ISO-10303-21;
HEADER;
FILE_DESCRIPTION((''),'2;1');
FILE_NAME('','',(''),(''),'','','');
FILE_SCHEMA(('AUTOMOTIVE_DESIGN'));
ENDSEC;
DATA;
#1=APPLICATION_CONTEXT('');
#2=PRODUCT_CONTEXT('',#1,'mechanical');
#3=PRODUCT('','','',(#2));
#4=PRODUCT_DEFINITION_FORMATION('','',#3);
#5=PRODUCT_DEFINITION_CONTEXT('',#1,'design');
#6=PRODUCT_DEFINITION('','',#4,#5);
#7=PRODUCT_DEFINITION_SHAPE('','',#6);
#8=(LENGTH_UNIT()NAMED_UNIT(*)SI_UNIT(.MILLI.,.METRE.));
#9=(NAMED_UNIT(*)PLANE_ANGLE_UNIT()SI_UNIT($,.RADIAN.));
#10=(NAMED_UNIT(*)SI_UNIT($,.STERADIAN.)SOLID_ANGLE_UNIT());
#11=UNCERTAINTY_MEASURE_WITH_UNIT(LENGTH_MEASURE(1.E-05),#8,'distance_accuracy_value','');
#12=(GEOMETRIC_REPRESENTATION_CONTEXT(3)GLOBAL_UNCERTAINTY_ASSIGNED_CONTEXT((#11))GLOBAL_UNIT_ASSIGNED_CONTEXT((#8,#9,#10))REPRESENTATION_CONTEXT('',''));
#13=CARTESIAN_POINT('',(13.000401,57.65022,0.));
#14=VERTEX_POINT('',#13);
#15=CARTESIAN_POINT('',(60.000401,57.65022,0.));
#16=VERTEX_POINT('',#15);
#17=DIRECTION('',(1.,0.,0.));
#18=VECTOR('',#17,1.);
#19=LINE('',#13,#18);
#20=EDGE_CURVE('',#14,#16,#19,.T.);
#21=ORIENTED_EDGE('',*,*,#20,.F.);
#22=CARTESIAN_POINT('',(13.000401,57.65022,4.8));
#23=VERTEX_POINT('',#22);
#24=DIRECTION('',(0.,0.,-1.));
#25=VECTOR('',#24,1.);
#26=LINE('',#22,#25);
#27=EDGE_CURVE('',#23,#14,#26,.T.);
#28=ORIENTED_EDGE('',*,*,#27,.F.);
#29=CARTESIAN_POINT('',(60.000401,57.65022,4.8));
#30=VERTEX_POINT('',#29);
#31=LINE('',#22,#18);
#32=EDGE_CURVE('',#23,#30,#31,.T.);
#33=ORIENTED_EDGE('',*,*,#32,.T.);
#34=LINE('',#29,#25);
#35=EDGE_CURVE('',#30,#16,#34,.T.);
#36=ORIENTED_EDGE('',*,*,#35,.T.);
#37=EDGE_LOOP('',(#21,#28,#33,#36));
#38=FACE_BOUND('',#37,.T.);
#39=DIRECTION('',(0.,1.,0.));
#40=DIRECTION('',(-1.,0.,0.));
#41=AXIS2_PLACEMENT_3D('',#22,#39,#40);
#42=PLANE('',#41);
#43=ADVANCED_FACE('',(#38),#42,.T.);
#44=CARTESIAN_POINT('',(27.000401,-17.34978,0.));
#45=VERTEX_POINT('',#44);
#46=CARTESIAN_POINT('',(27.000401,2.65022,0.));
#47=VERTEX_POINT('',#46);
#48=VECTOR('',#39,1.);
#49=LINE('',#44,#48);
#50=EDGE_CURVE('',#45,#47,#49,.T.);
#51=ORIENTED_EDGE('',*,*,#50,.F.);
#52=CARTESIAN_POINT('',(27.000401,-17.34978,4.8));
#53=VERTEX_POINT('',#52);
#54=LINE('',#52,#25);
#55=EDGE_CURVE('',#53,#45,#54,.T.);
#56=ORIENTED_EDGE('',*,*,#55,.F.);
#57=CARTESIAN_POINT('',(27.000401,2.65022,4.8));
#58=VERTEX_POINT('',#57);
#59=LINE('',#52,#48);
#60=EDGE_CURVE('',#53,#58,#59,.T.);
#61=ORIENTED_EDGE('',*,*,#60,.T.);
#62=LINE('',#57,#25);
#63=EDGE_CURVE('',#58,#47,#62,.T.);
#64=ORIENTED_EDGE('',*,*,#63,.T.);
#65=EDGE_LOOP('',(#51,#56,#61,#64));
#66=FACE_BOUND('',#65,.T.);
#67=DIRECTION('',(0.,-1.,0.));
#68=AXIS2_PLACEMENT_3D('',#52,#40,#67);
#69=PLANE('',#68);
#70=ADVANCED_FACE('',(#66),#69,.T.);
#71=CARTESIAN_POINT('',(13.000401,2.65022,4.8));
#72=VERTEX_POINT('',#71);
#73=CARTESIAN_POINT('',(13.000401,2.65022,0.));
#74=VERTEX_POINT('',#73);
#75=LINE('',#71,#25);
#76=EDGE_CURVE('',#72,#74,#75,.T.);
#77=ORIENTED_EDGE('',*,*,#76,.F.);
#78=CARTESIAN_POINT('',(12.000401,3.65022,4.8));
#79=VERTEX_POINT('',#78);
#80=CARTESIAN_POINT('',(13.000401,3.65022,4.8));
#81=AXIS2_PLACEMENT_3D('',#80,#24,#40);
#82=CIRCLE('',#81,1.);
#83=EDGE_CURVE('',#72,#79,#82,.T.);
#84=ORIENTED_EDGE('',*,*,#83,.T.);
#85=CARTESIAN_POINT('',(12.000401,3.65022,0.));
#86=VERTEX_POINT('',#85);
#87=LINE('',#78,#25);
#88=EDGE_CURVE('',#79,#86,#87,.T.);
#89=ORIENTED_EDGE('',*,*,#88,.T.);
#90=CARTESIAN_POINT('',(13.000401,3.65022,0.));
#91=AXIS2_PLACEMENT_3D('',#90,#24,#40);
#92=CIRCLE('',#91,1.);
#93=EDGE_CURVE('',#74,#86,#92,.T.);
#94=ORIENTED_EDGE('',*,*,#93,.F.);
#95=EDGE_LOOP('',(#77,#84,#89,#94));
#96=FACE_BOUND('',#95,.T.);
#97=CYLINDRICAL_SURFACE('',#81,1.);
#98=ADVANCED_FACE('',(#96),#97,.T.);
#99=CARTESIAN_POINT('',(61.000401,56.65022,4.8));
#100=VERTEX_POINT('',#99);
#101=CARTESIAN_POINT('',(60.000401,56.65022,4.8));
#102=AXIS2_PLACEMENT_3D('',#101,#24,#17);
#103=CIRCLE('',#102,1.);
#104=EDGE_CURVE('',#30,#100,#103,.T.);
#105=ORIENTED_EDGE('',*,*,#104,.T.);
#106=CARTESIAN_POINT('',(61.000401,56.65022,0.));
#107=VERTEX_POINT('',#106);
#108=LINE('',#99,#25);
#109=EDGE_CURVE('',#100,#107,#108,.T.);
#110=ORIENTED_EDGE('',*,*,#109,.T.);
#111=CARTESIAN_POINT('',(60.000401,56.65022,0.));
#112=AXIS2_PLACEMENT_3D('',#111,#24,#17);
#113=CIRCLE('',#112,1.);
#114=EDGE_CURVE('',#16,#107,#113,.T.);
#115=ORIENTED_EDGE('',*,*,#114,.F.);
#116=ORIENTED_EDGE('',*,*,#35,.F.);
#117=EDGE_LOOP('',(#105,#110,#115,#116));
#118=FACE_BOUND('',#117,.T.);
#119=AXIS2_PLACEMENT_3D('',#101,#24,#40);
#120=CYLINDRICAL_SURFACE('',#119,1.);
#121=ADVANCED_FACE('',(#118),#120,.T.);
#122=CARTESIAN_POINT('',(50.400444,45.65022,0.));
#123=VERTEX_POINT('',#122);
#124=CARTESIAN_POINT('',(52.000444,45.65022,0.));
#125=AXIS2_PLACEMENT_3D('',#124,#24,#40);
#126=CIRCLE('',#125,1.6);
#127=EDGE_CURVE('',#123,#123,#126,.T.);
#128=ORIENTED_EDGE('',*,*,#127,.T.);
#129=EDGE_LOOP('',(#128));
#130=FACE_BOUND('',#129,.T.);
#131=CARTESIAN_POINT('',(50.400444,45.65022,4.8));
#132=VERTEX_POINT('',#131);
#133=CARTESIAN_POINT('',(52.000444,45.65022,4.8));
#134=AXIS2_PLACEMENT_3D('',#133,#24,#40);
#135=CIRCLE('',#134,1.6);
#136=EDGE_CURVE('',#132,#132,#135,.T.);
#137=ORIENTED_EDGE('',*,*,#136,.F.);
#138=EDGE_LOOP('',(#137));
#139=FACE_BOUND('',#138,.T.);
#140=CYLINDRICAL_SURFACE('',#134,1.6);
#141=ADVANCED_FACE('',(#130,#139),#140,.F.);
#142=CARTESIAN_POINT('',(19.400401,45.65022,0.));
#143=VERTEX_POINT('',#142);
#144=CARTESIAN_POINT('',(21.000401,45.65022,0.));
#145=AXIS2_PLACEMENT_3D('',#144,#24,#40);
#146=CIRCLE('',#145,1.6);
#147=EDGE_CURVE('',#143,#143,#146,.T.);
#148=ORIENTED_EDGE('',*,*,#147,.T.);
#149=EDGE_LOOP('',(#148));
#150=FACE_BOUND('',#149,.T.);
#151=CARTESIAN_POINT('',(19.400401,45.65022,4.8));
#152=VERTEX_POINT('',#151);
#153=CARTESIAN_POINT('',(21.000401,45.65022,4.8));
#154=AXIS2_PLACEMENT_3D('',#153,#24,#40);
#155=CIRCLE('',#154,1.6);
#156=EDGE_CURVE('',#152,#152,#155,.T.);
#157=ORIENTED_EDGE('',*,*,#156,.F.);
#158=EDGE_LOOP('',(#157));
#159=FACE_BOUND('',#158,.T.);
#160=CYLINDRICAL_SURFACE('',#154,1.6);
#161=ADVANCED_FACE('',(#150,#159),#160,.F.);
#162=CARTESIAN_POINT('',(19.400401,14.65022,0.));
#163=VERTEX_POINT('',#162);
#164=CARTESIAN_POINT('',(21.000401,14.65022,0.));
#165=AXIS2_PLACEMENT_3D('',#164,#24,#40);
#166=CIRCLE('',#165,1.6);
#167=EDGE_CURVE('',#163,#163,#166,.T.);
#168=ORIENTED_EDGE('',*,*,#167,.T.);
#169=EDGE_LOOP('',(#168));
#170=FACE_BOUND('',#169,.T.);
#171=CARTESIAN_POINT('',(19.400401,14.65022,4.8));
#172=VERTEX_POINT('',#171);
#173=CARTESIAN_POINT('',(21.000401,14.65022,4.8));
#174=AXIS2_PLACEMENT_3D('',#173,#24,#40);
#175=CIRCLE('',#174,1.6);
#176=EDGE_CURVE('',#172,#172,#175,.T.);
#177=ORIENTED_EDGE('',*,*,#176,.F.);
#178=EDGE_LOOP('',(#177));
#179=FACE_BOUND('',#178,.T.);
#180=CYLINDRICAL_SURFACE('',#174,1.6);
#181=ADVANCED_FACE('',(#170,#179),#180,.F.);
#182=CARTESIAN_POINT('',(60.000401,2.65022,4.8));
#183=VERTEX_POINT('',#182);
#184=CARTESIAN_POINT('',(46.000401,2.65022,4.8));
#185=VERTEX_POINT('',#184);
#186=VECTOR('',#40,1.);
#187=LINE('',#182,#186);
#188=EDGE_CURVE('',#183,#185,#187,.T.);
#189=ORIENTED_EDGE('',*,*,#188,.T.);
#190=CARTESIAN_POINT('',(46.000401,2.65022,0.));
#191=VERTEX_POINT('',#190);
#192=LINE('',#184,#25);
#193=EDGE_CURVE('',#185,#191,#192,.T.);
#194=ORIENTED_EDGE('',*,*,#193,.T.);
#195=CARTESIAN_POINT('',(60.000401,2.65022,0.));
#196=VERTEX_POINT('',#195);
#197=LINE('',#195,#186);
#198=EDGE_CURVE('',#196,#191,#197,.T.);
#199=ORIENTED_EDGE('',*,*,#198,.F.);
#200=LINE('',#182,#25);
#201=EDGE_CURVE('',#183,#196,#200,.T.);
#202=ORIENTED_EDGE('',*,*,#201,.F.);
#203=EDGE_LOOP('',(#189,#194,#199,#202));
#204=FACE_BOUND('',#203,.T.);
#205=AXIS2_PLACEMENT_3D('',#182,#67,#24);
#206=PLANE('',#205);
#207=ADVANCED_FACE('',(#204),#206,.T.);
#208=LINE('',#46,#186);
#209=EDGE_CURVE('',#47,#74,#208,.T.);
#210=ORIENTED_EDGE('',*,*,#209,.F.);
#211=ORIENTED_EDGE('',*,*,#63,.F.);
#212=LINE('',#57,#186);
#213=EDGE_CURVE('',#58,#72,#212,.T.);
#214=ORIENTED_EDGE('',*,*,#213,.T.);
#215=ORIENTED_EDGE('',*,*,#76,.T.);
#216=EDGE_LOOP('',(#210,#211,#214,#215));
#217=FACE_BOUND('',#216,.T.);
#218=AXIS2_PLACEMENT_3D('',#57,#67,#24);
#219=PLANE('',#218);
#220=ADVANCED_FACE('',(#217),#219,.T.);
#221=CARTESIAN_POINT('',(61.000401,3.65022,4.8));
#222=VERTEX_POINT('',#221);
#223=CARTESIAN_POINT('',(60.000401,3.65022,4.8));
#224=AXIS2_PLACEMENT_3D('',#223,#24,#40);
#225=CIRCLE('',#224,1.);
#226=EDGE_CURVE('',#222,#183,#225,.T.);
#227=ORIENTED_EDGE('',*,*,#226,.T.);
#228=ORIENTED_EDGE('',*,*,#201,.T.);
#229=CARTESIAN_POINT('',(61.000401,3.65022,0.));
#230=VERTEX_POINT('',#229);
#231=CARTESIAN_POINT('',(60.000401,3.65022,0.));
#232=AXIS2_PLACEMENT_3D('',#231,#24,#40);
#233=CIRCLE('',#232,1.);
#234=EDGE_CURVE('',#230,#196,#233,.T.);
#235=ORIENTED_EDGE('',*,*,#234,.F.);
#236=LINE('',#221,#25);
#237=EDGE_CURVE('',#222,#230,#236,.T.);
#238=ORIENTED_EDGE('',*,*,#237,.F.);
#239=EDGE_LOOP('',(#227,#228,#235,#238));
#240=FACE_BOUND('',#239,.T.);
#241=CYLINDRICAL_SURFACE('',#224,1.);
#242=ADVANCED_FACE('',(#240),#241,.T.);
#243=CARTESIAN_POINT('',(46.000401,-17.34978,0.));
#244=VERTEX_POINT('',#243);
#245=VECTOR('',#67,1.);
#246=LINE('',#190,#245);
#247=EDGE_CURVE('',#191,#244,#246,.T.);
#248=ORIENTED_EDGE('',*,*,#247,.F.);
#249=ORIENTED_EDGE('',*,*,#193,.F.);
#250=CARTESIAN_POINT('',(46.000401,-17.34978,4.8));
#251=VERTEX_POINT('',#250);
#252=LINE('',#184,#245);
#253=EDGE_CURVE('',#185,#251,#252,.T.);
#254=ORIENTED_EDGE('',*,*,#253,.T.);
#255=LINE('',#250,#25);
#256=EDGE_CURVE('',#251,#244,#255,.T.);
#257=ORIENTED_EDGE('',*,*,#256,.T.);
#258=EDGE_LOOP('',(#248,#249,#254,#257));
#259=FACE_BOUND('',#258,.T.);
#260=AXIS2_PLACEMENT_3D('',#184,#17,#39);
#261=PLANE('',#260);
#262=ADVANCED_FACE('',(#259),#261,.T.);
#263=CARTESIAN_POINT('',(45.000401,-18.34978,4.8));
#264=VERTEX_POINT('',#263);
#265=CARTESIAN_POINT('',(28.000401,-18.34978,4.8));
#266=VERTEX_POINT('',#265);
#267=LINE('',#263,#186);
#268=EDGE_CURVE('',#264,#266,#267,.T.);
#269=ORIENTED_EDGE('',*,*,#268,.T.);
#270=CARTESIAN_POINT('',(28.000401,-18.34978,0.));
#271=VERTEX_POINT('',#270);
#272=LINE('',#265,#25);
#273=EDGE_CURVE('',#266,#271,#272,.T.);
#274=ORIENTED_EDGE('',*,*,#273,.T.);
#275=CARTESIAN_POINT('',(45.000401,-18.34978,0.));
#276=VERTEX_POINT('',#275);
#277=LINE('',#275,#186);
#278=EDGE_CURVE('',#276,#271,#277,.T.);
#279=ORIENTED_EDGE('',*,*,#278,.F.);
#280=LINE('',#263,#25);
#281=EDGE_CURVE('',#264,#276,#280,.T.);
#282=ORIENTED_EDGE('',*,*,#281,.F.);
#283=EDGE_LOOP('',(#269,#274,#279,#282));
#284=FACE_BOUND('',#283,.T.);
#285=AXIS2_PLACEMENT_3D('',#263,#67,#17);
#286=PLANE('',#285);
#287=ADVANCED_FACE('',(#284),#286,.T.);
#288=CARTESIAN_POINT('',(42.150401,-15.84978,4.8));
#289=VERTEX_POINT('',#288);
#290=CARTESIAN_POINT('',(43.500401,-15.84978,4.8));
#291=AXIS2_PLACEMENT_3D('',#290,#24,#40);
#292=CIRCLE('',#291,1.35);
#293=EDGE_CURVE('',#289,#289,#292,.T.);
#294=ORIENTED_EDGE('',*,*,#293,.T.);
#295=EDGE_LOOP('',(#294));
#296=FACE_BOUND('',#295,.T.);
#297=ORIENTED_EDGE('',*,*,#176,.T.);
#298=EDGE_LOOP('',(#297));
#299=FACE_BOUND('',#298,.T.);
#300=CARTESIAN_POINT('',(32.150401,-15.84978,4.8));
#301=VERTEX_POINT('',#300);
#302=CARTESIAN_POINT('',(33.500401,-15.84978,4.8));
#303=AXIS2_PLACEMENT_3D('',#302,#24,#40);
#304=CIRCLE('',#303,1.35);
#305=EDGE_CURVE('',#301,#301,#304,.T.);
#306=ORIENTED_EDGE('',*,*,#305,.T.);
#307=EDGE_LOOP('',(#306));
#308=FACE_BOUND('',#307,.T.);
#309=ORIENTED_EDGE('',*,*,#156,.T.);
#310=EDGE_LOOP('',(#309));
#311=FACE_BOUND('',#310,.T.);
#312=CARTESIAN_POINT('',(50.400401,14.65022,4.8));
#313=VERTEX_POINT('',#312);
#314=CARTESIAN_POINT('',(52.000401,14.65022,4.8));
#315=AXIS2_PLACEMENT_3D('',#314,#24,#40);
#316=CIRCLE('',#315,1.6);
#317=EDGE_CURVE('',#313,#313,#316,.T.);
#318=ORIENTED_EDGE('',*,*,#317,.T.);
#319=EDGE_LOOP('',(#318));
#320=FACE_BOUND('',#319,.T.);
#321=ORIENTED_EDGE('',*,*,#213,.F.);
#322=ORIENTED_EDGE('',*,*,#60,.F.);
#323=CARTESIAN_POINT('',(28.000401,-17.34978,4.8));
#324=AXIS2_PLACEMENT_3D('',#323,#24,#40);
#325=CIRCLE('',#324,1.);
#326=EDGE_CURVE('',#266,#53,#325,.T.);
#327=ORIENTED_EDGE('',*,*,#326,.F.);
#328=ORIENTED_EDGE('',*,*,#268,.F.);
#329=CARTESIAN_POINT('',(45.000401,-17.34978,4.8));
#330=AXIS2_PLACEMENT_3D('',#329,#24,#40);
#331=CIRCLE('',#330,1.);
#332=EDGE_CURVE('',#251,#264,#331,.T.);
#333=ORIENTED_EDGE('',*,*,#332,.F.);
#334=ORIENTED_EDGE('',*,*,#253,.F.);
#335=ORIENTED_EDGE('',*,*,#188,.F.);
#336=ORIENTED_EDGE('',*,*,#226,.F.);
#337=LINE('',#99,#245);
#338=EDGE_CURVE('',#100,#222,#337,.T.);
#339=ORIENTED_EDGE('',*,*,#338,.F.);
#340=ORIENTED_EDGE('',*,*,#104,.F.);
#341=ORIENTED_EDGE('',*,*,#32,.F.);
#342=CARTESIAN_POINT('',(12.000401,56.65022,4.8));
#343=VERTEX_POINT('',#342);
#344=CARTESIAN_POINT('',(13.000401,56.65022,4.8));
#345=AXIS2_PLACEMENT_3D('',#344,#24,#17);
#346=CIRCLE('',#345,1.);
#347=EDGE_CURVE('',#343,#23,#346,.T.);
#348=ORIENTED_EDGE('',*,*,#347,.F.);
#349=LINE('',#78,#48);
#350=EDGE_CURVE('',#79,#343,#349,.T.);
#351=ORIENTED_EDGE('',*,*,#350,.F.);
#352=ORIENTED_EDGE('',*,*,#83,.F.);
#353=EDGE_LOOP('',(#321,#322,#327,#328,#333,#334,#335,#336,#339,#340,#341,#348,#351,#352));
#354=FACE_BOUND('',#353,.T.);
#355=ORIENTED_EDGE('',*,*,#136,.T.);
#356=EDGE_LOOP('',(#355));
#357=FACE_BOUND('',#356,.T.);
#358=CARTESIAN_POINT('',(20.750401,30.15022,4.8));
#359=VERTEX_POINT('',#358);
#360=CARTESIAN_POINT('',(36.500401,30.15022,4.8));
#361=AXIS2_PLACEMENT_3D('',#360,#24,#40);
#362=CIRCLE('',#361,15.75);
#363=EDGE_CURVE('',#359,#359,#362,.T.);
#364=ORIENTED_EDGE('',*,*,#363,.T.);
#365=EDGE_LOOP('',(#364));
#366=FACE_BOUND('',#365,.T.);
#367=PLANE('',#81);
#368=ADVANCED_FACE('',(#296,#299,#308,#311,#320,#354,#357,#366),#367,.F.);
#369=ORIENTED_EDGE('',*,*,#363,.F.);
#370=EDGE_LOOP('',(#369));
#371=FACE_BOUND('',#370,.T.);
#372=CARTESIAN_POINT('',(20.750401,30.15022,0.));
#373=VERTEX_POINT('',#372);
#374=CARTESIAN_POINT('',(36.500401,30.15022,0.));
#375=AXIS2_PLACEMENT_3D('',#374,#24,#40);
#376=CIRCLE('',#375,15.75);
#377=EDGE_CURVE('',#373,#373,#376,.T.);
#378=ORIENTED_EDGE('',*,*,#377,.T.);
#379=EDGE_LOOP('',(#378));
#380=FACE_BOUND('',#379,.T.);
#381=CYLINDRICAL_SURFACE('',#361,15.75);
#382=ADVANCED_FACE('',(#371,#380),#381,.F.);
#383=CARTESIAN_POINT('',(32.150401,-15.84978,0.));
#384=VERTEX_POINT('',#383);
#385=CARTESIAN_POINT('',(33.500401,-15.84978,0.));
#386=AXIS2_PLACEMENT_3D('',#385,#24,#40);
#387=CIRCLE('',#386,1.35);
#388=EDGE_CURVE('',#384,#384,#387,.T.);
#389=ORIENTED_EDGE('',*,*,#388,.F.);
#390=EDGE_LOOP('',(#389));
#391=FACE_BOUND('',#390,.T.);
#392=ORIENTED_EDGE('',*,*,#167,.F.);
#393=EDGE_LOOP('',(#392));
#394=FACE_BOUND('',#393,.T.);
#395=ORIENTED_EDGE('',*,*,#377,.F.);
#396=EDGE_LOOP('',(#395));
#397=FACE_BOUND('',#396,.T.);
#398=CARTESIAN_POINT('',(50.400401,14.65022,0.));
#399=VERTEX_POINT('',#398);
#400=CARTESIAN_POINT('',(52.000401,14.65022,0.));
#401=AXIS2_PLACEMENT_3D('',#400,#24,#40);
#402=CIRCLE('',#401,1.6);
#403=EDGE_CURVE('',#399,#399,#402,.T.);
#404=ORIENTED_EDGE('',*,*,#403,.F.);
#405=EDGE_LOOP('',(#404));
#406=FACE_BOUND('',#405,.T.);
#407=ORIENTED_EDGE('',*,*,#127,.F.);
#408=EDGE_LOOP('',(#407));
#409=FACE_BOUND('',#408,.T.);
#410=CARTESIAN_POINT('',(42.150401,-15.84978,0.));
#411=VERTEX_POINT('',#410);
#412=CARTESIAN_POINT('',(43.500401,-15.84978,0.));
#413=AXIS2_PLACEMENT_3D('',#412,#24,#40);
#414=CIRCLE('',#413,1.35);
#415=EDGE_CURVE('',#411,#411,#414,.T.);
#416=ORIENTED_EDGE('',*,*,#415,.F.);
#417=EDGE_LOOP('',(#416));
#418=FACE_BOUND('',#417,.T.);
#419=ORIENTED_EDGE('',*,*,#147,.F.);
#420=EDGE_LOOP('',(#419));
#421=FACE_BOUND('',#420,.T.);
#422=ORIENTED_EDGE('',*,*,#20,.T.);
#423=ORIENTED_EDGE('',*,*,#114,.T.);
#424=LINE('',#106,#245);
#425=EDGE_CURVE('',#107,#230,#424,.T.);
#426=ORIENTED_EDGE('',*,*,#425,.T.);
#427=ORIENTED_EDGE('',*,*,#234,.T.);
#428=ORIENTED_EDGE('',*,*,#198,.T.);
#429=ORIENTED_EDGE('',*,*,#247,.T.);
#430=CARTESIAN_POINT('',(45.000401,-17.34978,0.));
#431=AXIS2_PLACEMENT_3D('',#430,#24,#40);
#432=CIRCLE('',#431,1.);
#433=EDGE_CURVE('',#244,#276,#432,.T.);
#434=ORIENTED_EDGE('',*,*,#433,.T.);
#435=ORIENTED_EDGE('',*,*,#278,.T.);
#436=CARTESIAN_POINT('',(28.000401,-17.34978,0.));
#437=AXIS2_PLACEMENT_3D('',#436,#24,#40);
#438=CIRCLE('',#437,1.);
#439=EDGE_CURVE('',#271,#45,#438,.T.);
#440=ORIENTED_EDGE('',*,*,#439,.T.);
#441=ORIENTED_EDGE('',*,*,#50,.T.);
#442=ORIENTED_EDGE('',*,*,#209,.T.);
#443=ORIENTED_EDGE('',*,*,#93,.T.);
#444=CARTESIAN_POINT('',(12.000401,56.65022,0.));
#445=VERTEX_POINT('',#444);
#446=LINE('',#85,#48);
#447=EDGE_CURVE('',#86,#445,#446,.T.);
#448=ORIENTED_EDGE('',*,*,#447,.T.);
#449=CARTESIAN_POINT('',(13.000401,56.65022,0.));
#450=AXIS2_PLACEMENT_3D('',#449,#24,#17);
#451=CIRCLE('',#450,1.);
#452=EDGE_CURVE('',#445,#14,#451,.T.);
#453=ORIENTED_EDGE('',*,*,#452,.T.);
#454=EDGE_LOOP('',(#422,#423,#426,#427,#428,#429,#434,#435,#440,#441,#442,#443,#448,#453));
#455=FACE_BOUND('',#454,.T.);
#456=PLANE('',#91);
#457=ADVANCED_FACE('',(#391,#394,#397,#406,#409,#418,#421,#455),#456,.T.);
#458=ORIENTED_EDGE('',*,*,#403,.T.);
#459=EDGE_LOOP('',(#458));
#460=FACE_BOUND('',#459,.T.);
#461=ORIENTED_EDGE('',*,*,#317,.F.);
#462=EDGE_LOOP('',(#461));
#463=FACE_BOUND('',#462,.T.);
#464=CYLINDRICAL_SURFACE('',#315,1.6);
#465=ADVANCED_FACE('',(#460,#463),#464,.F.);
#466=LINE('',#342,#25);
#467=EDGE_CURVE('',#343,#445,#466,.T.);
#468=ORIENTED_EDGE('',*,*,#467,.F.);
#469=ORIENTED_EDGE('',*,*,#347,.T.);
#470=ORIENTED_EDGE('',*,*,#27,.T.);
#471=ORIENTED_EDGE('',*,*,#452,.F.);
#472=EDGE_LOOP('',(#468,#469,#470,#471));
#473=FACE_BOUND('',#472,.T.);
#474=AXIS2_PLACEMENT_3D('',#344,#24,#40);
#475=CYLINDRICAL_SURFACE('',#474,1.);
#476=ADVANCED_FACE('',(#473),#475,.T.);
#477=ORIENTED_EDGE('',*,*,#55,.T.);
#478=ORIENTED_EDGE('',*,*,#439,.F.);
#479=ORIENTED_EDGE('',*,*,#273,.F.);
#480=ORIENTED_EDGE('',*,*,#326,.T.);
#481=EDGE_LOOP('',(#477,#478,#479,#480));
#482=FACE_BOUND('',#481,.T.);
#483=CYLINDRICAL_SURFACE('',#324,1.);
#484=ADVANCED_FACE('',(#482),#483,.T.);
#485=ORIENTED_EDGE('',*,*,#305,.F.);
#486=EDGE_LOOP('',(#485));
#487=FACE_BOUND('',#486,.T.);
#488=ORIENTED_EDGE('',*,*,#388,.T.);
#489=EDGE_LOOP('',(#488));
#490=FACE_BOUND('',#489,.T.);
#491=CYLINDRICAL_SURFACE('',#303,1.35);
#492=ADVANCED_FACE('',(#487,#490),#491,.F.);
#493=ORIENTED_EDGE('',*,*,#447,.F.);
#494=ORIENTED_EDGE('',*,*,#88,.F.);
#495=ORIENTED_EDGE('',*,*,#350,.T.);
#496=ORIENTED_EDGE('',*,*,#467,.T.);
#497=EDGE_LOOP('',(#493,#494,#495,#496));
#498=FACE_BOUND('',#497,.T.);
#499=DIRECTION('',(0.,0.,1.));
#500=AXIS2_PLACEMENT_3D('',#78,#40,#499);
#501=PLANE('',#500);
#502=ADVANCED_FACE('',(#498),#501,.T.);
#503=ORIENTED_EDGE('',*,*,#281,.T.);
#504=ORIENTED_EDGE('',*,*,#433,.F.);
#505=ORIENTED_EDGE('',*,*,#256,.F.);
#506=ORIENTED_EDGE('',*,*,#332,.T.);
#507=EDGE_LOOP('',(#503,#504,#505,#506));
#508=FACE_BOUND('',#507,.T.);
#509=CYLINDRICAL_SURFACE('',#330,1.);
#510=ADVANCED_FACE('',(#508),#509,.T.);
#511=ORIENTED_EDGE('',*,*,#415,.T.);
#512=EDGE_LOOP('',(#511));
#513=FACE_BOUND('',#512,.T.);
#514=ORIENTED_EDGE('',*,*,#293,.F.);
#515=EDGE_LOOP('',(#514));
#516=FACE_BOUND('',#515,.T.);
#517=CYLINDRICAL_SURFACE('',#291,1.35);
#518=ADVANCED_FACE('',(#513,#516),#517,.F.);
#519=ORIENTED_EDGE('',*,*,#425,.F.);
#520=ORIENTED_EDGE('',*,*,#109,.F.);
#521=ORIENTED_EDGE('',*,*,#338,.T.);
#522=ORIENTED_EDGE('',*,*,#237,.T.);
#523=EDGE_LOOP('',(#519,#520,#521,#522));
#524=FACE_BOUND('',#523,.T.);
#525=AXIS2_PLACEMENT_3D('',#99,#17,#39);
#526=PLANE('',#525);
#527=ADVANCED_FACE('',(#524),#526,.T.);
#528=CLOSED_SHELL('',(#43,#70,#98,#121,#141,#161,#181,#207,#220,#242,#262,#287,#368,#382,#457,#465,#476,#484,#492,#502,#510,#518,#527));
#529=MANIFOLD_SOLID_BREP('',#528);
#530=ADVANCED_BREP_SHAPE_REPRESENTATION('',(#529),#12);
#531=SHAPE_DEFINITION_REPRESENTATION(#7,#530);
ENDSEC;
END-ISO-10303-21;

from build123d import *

# Parameters (mm, degrees)
ESQUISSE1_R        = 15.75
ESQUISSE1_R_2      = 1.6
ESQUISSE1_R_3      = 1.35
BOSS_EXTRU_1_DEPTH = 4.8


with BuildPart() as part:
    # Esquisse1 → Boss.-Extru.1 (new body)
    with BuildSketch(Plane(origin=(0, 0, 0), x_dir=(-1, 0, 0), z_dir=(0, 0, -1))):
        with BuildLine():
            Line((-12.0004012, 3.650219609), (-12.0004012, 56.650219609))
            ThreePointArc((-12.0004012, 56.650219609), (-12.293294419, 57.35732639), (-13.0004012, 57.650219609))
            Line((-13.0004012, 57.650219609), (-60.0004012, 57.650219609))
            ThreePointArc((-60.0004012, 57.650219609), (-60.707507981, 57.35732639), (-61.0004012, 56.650219609))
            Line((-61.0004012, 56.650219609), (-61.0004012, 3.650219609))
            ThreePointArc((-61.0004012, 3.650219609), (-60.707507981, 2.943112828), (-60.0004012, 2.650219609))
            Line((-60.0004012, 2.650219609), (-46.0004012, 2.650219609))
            Line((-46.0004012, 2.650219609), (-46.0004012, -17.349780391))
            ThreePointArc((-46.0004012, -17.349780391), (-45.707507981, -18.056887172), (-45.0004012, -18.349780391))
            Line((-45.0004012, -18.349780391), (-28.0004012, -18.349780391))
            ThreePointArc((-28.0004012, -18.349780391), (-27.293294419, -18.056887172), (-27.0004012, -17.349780391))
            Line((-27.0004012, -17.349780391), (-27.0004012, 2.650219609))
            Line((-27.0004012, 2.650219609), (-13.0004012, 2.650219609))
            ThreePointArc((-13.0004012, 2.650219609), (-12.293294419, 2.943112828), (-12.0004012, 3.650219609))
        make_face()
        with Locations((-36.5004012, 30.150219609)):
            Circle(ESQUISSE1_R, mode=Mode.SUBTRACT)
        with Locations((-52.0004012, 14.650219609)):
            Circle(ESQUISSE1_R_2, mode=Mode.SUBTRACT)
        with Locations((-52.000444233, 45.650219609)):
            Circle(ESQUISSE1_R_2, mode=Mode.SUBTRACT)
        with Locations((-21.0004012, 14.650219609)):
            Circle(ESQUISSE1_R_2, mode=Mode.SUBTRACT)
        with Locations((-21.0004012, 45.650219609)):
            Circle(ESQUISSE1_R_2, mode=Mode.SUBTRACT)
        with Locations((-43.5004012, -15.849780391)):
            Circle(ESQUISSE1_R_3, mode=Mode.SUBTRACT)
        with Locations((-33.5004012, -15.849780391)):
            Circle(ESQUISSE1_R_3, mode=Mode.SUBTRACT)
    extrude(amount=-BOSS_EXTRU_1_DEPTH)


solid = part.part
